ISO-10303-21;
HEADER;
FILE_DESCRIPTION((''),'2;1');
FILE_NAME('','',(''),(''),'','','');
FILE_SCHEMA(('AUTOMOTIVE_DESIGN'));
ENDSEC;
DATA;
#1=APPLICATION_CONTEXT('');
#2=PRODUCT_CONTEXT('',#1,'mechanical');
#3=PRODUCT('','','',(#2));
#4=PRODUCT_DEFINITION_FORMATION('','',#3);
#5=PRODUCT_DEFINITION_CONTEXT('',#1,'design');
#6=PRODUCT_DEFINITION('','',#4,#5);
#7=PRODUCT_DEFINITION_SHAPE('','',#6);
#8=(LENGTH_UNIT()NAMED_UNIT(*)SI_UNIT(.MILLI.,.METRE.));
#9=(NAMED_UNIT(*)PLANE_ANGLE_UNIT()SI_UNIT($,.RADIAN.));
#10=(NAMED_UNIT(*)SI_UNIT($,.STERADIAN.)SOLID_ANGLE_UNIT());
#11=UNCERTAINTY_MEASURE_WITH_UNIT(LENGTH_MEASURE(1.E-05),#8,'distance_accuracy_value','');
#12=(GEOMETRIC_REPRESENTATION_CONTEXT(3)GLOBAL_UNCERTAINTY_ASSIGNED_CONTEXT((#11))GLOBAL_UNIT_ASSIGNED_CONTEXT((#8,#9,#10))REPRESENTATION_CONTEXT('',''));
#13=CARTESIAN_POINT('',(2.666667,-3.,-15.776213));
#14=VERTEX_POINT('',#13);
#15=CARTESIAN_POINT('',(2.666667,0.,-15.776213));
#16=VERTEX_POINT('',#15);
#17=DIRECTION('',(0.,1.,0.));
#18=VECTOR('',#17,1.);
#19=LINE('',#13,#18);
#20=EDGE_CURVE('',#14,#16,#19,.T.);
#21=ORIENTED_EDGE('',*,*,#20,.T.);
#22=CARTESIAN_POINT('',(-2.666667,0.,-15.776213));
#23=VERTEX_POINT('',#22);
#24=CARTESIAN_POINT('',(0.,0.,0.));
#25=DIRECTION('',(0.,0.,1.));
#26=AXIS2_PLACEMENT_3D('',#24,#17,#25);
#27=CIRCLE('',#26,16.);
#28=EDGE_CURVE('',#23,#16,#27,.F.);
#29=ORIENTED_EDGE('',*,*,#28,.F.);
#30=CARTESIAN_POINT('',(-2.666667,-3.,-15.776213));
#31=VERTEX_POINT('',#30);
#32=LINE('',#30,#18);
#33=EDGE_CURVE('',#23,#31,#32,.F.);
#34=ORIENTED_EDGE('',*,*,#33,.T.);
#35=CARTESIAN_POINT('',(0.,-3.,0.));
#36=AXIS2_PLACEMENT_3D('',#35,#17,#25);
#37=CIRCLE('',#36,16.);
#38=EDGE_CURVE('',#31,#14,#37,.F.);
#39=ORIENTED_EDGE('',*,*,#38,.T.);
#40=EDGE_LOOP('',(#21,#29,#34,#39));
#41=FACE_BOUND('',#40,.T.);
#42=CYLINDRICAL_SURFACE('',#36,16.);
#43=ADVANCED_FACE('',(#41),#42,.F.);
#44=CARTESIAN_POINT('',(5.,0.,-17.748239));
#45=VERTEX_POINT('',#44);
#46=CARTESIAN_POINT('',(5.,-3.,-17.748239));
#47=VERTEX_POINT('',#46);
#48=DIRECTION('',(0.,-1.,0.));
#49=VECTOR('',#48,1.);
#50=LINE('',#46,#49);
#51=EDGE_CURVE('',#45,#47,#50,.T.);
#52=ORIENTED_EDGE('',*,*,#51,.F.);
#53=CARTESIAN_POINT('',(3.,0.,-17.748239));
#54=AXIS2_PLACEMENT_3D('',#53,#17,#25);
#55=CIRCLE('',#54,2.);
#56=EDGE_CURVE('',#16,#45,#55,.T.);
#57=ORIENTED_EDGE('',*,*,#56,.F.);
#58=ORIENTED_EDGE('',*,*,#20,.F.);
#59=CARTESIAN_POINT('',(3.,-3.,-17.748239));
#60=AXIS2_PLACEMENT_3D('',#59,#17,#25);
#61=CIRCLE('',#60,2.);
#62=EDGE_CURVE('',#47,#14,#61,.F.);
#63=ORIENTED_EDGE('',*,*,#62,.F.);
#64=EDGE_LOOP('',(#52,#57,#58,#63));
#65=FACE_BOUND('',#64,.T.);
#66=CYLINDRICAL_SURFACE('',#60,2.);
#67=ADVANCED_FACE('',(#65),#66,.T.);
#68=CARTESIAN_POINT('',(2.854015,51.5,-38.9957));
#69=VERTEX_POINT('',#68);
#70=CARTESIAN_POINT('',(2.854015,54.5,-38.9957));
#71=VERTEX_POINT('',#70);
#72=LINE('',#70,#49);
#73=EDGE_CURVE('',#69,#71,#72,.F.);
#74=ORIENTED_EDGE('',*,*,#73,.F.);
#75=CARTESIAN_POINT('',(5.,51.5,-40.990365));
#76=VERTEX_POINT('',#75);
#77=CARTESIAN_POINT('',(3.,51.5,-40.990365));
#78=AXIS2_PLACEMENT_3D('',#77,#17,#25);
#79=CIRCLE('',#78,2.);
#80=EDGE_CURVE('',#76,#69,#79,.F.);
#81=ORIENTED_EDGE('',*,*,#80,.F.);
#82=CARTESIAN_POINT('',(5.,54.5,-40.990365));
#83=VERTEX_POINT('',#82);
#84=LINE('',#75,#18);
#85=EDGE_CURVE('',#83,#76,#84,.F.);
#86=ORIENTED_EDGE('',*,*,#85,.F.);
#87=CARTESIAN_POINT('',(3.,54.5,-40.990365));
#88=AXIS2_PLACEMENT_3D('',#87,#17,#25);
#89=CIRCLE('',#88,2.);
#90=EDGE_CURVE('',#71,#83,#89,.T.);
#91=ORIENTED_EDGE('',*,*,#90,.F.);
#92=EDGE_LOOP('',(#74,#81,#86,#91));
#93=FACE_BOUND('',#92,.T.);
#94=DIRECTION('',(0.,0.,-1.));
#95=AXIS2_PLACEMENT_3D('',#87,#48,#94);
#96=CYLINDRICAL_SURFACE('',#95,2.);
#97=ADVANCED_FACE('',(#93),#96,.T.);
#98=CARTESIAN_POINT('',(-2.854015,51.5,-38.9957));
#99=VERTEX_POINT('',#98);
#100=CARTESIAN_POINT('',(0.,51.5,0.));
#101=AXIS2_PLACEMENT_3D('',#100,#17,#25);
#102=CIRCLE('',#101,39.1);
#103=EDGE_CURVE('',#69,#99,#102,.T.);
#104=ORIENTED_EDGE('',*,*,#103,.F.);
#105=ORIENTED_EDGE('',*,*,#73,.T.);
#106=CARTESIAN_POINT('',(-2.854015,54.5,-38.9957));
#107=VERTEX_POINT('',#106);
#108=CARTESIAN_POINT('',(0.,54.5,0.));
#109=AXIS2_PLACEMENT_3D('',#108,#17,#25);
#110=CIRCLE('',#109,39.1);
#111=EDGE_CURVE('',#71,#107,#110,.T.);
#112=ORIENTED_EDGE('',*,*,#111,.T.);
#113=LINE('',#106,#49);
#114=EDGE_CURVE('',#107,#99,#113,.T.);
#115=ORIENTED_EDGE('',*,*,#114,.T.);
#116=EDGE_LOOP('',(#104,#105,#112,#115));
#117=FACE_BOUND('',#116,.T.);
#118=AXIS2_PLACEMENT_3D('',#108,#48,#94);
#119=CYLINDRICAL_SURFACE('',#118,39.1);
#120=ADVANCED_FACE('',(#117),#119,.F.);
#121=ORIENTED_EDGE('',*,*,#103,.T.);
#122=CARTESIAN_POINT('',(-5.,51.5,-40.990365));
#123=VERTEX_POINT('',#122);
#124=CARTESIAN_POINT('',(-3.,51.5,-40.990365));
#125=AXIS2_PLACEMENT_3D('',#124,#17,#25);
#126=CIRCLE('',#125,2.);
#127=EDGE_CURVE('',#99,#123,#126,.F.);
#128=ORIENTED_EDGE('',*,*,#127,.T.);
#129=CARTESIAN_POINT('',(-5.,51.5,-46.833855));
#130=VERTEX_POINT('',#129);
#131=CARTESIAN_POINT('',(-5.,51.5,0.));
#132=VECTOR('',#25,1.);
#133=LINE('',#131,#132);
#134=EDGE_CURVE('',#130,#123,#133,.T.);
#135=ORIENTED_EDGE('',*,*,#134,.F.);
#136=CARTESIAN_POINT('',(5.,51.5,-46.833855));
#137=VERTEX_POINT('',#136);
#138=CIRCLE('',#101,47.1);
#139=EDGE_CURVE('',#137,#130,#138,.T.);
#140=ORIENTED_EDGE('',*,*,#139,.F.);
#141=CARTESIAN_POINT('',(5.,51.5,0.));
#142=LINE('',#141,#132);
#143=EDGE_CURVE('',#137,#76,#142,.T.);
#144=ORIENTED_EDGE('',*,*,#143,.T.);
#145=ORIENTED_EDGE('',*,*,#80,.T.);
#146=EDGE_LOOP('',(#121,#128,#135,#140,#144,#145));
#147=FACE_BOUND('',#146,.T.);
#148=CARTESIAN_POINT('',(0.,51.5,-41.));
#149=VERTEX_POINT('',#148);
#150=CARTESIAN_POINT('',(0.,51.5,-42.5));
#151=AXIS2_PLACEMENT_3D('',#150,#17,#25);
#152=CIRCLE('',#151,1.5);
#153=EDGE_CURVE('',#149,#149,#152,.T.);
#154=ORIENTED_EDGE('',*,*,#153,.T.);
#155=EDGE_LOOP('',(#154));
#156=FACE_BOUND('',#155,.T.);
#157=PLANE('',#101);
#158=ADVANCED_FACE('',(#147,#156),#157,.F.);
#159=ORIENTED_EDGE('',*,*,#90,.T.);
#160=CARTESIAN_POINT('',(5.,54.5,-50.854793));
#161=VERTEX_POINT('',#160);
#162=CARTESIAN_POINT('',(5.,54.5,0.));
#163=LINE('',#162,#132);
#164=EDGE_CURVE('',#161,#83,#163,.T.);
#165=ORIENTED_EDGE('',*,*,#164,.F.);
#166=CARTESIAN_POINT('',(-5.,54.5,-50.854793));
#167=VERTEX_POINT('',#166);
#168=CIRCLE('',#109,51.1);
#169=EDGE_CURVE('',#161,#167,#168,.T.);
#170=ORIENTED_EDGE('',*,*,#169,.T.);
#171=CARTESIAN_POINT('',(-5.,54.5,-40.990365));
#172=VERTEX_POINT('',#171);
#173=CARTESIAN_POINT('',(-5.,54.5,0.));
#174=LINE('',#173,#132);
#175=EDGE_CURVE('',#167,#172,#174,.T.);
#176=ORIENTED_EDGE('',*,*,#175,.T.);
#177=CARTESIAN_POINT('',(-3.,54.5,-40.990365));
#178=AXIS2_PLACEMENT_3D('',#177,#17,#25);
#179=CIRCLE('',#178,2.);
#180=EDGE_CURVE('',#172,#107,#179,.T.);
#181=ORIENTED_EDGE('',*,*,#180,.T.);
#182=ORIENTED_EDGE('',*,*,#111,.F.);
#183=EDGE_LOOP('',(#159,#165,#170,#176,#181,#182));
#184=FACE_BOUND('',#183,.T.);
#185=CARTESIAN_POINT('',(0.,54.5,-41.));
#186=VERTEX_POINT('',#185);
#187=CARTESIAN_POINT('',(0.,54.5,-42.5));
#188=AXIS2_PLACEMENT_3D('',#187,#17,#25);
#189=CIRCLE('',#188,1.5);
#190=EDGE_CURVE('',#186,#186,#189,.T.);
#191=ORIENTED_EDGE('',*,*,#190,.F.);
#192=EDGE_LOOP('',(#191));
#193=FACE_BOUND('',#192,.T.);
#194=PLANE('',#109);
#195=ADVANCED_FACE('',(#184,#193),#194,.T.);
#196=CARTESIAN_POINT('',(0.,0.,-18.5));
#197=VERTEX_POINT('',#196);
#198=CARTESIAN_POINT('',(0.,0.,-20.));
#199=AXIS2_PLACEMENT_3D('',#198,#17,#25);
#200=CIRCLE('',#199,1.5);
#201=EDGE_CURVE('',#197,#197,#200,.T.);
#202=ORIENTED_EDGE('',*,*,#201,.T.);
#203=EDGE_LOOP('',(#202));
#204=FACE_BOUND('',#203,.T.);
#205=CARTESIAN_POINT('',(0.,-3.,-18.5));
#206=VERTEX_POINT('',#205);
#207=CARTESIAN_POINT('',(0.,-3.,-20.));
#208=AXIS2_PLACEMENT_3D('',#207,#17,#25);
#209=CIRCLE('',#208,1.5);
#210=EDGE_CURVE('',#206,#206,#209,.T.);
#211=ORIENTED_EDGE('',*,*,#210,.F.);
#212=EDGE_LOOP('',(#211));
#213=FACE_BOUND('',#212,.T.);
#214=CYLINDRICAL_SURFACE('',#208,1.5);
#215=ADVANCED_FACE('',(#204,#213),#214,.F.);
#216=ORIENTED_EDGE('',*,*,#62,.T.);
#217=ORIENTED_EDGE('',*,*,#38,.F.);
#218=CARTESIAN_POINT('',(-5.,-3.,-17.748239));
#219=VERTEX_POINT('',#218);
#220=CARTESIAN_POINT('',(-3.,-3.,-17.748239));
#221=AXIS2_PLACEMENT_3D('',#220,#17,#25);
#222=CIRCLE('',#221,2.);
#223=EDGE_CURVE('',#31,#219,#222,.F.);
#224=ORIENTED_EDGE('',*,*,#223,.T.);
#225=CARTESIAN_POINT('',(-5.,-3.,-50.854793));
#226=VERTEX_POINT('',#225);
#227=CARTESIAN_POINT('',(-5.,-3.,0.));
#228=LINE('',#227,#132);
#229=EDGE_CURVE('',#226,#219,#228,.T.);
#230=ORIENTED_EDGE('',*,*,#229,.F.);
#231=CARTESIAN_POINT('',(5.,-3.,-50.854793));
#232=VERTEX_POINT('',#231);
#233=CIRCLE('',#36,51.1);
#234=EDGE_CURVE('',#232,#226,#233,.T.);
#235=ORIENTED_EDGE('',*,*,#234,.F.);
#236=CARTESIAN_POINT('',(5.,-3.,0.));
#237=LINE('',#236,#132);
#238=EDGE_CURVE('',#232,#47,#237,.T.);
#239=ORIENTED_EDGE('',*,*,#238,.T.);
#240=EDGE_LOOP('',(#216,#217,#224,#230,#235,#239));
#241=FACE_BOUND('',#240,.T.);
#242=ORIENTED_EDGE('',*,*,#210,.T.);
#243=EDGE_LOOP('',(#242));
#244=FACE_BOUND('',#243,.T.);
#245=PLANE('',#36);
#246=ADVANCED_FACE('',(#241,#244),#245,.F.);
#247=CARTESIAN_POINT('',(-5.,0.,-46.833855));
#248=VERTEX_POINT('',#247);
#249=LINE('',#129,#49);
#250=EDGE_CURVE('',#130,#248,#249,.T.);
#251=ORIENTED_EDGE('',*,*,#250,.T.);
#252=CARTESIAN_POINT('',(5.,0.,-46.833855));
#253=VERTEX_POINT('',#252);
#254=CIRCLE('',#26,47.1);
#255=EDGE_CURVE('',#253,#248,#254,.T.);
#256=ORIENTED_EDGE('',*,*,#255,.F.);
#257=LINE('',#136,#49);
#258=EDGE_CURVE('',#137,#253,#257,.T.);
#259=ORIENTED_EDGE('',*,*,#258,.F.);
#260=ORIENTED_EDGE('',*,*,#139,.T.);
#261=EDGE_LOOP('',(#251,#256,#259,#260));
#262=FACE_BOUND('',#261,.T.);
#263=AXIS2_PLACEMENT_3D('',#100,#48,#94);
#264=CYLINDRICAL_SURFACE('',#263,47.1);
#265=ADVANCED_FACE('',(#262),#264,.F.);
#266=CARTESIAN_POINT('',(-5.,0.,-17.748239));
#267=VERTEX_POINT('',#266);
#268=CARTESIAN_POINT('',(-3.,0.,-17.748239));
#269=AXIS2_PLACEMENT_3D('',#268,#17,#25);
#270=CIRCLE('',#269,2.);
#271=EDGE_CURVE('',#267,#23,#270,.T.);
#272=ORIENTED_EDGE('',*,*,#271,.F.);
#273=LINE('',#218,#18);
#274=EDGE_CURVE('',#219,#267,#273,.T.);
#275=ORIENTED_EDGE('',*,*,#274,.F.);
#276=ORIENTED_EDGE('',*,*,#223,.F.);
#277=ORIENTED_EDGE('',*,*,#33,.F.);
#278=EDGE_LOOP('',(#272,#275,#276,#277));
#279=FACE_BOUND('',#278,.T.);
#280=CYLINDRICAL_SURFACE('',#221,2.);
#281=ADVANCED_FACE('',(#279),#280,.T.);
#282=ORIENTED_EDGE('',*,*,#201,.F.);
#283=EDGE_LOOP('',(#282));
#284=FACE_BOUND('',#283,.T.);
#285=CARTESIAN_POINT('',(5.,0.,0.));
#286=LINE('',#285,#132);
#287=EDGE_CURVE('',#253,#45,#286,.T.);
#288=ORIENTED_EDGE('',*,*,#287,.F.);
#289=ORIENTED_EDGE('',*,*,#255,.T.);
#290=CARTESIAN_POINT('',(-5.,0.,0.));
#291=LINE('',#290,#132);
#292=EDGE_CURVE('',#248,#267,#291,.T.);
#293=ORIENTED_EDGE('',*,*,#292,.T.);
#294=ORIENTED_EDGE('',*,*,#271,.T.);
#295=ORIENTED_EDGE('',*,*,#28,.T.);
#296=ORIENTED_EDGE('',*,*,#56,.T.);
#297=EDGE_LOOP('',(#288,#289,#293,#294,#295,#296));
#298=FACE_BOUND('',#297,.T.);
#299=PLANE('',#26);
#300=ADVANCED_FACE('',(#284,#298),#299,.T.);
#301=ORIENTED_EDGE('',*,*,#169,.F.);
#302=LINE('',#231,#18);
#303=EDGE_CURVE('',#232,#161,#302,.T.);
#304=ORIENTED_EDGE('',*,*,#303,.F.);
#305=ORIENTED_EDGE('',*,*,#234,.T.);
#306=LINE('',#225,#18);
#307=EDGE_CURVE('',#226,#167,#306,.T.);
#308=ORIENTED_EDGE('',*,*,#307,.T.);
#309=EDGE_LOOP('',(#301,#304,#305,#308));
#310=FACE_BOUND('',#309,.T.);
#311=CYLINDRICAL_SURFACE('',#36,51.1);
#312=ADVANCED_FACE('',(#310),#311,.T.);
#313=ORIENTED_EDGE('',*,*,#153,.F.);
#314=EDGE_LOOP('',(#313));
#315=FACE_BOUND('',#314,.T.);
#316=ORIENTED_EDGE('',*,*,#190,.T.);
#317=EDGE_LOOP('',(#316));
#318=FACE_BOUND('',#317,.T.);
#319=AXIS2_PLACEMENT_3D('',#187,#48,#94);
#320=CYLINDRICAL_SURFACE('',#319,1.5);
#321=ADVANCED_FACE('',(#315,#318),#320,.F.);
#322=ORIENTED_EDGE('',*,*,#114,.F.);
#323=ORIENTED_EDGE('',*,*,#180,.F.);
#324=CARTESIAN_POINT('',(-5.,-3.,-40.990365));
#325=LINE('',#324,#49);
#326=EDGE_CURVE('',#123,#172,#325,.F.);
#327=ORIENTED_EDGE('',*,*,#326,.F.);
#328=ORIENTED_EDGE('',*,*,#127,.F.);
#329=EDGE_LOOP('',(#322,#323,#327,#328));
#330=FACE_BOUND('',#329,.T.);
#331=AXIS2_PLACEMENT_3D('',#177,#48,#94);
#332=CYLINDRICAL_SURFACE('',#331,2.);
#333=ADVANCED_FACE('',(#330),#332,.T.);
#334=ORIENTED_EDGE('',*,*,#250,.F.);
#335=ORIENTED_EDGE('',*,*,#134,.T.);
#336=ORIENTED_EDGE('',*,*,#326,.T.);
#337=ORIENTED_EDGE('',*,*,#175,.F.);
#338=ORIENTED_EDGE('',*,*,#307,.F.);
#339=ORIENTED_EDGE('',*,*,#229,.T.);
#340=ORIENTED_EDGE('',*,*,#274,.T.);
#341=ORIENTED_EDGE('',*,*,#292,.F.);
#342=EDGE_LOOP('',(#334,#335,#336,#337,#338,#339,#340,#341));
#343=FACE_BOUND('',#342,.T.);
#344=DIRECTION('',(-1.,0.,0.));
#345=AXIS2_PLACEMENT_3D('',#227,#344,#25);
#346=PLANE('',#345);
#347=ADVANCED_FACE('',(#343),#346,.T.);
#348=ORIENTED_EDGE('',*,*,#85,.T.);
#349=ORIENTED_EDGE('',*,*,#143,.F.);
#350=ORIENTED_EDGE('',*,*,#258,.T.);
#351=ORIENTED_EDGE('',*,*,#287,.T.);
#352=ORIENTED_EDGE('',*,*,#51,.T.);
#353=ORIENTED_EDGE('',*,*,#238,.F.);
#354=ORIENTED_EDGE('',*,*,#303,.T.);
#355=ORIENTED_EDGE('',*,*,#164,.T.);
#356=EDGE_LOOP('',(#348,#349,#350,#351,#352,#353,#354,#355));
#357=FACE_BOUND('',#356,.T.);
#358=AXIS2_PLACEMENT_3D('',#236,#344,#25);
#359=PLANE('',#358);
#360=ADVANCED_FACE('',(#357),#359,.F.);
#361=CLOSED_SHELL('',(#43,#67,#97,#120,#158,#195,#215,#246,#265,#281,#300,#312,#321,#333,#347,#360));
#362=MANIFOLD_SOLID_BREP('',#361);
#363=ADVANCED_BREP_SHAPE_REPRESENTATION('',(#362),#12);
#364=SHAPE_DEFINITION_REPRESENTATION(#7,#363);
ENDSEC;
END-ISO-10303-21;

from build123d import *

# Parameters (mm, degrees)
SKETCH1_R           = 1.5
BOSS_EXTRUDE1_DEPTH = 3
BOSS_EXTRUDE2_START = 51.5
BOSS_EXTRUDE2_DEPTH = 51.5
BOSS_EXTRUDE3_START = 54.5
SKETCH1_4_R         = 1.5
BOSS_EXTRUDE3_DEPTH = 3
FILLET1_R           = 2


with BuildPart() as part:
    # Sketch1 → Boss-Extrude1 (new body)
    with BuildSketch(Plane(origin=(0, 0, 0), x_dir=(1, 0, 0), z_dir=(0, 1, 0))):
        with BuildLine():
            ThreePointArc((5, 50.854793284), (0, 51.1), (-5, 50.854793284))
            Line((-5, 50.854793284), (-5, 15.198684154))
            ThreePointArc((-5, 15.198684154), (0, 16), (5, 15.198684154))
            Line((5, 15.198684154), (5, 50.854793284))
        make_face()
        with Locations((0, 20)):
            Circle(SKETCH1_R, mode=Mode.SUBTRACT)
    extrude(amount=-BOSS_EXTRUDE1_DEPTH)

    # Sketch1<3> → Boss-Extrude2 (add)
    with BuildSketch(Plane(origin=(0, 0, 0), x_dir=(1, 0, 0), z_dir=(0, 1, 0)).offset(BOSS_EXTRUDE2_START)):
        with BuildLine():
            ThreePointArc((5, 50.854793284), (0, 51.1), (-5, 50.854793284))
            Line((-5, 50.854793284), (-5, 46.833855276))
            ThreePointArc((-5, 46.833855276), (0, 47.1), (5, 46.833855276))
            Line((5, 46.833855276), (5, 50.854793284))
        make_face()
    extrude(amount=-BOSS_EXTRUDE2_DEPTH)

    # Sketch1<4> → Boss-Extrude3 (add)
    with BuildSketch(Plane(origin=(0, 0, 0), x_dir=(1, 0, 0), z_dir=(0, 1, 0)).offset(BOSS_EXTRUDE3_START)):
        with BuildLine():
            ThreePointArc((5, 50.854793284), (0, 51.1), (-5, 50.854793284))
            Line((-5, 50.854793284), (-5, 38.778989157))
            ThreePointArc((-5, 38.778989157), (0, 39.1), (5, 38.778989157))
            Line((5, 38.778989157), (5, 50.854793284))
        make_face()
        with Locations((0, 42.5)):
            Circle(SKETCH1_4_R, mode=Mode.SUBTRACT)
    extrude(amount=-BOSS_EXTRUDE3_DEPTH)

    # Fillet1
    fillet1_edges = [part.edges().sort_by_distance(p)[0] for p in [
        (-5, 53, -38.778989157),
        (5, 53, -38.778989157),
        (5, -1.5, -15.198684154),
        (-5, -1.5, -15.198684154),
    ]]
    fillet(fillet1_edges, radius=FILLET1_R)


solid = part.part
